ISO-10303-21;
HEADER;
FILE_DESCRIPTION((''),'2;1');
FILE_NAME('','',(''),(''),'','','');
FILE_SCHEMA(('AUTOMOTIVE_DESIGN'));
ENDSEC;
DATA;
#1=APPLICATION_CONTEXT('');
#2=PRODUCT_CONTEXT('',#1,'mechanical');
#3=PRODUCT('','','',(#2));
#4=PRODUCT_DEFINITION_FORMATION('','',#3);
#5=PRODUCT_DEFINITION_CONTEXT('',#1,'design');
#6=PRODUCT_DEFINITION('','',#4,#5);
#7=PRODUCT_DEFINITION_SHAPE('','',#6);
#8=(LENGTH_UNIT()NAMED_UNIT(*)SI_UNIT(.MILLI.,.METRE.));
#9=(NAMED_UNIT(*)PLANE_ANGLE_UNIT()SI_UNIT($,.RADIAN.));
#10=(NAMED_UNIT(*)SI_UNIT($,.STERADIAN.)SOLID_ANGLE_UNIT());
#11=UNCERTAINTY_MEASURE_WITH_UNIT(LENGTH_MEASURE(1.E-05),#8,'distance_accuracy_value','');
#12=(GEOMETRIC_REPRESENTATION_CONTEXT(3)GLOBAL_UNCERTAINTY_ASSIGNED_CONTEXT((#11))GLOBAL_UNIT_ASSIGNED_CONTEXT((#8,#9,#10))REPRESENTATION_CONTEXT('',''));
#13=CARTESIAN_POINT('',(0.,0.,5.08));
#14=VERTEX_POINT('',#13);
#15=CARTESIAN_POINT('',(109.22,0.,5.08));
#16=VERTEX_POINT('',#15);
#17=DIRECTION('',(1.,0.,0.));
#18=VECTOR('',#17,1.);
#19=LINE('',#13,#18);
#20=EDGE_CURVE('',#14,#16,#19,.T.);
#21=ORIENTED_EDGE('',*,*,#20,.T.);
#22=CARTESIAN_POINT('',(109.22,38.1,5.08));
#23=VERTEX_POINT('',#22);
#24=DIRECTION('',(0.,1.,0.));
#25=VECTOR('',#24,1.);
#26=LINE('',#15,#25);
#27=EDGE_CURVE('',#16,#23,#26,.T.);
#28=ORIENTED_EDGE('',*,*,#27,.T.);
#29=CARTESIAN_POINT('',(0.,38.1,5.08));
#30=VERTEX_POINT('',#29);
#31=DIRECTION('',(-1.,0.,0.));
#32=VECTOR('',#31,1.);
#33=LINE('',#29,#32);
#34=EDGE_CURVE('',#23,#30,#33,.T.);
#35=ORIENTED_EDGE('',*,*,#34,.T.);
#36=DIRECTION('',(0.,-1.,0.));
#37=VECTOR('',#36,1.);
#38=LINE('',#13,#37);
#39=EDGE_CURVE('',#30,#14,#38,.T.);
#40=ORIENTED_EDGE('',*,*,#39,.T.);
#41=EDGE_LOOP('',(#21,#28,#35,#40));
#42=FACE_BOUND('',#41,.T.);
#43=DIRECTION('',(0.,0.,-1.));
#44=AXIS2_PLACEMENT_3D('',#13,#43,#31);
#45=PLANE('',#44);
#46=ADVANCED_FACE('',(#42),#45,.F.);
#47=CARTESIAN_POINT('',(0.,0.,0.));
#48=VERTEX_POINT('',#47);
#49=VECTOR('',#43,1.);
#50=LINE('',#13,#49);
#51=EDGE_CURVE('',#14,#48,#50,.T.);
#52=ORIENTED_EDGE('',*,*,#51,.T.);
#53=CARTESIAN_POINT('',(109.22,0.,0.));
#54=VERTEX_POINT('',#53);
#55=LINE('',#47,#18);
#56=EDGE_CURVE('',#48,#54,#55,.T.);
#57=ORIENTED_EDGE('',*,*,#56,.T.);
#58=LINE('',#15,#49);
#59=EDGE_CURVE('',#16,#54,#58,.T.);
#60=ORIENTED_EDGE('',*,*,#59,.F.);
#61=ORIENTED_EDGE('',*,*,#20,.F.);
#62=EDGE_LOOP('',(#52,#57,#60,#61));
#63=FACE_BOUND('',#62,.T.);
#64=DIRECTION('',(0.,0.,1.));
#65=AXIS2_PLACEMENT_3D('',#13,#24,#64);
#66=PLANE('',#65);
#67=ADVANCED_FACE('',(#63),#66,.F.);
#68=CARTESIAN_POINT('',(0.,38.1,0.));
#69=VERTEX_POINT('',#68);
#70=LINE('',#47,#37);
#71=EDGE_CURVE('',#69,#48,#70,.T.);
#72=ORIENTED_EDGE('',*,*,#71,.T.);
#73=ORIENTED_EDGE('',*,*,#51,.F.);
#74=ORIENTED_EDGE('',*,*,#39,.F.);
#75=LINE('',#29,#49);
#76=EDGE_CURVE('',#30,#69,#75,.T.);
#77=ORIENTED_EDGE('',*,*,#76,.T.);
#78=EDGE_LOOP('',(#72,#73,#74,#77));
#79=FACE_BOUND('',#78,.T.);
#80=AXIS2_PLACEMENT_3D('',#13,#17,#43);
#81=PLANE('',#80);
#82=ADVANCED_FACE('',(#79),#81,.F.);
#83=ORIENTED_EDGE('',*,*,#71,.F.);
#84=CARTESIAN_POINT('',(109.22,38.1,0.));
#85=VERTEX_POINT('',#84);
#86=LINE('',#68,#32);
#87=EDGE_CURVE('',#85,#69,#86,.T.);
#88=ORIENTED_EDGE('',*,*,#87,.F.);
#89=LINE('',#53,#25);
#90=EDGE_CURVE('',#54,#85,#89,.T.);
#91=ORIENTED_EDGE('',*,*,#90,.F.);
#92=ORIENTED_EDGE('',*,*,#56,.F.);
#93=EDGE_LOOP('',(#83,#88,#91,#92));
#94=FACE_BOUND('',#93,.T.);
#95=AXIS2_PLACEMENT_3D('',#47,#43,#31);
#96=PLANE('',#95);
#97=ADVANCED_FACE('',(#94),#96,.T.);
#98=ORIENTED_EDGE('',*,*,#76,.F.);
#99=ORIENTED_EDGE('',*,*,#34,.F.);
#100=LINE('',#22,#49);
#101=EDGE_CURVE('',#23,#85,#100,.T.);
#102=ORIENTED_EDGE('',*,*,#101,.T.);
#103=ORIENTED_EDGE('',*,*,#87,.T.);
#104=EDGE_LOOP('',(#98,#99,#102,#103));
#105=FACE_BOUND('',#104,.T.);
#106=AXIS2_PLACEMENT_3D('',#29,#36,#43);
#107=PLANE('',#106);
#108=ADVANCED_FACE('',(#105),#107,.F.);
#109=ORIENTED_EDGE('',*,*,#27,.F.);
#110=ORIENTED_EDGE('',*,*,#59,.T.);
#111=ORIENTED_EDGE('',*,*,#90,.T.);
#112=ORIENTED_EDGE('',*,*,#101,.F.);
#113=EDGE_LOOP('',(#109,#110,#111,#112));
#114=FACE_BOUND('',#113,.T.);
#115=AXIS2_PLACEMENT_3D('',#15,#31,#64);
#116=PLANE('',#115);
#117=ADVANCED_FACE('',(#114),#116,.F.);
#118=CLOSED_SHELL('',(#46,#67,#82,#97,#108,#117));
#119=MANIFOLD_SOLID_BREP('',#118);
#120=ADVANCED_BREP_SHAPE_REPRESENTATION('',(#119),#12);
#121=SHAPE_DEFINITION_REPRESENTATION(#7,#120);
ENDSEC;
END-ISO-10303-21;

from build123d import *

# Parameters (mm, degrees)
SKETCH1_W           = 109.22
SKETCH1_H           = 38.1
BOSS_EXTRUDE1_DEPTH = 5.08


with BuildPart() as part:
    # Sketch1 → Boss-Extrude1 (new body)
    with BuildSketch(Plane.XY):
        with Locations((54.61, 19.05)):
            Rectangle(SKETCH1_W, SKETCH1_H)
    extrude(amount=BOSS_EXTRUDE1_DEPTH)


solid = part.part
